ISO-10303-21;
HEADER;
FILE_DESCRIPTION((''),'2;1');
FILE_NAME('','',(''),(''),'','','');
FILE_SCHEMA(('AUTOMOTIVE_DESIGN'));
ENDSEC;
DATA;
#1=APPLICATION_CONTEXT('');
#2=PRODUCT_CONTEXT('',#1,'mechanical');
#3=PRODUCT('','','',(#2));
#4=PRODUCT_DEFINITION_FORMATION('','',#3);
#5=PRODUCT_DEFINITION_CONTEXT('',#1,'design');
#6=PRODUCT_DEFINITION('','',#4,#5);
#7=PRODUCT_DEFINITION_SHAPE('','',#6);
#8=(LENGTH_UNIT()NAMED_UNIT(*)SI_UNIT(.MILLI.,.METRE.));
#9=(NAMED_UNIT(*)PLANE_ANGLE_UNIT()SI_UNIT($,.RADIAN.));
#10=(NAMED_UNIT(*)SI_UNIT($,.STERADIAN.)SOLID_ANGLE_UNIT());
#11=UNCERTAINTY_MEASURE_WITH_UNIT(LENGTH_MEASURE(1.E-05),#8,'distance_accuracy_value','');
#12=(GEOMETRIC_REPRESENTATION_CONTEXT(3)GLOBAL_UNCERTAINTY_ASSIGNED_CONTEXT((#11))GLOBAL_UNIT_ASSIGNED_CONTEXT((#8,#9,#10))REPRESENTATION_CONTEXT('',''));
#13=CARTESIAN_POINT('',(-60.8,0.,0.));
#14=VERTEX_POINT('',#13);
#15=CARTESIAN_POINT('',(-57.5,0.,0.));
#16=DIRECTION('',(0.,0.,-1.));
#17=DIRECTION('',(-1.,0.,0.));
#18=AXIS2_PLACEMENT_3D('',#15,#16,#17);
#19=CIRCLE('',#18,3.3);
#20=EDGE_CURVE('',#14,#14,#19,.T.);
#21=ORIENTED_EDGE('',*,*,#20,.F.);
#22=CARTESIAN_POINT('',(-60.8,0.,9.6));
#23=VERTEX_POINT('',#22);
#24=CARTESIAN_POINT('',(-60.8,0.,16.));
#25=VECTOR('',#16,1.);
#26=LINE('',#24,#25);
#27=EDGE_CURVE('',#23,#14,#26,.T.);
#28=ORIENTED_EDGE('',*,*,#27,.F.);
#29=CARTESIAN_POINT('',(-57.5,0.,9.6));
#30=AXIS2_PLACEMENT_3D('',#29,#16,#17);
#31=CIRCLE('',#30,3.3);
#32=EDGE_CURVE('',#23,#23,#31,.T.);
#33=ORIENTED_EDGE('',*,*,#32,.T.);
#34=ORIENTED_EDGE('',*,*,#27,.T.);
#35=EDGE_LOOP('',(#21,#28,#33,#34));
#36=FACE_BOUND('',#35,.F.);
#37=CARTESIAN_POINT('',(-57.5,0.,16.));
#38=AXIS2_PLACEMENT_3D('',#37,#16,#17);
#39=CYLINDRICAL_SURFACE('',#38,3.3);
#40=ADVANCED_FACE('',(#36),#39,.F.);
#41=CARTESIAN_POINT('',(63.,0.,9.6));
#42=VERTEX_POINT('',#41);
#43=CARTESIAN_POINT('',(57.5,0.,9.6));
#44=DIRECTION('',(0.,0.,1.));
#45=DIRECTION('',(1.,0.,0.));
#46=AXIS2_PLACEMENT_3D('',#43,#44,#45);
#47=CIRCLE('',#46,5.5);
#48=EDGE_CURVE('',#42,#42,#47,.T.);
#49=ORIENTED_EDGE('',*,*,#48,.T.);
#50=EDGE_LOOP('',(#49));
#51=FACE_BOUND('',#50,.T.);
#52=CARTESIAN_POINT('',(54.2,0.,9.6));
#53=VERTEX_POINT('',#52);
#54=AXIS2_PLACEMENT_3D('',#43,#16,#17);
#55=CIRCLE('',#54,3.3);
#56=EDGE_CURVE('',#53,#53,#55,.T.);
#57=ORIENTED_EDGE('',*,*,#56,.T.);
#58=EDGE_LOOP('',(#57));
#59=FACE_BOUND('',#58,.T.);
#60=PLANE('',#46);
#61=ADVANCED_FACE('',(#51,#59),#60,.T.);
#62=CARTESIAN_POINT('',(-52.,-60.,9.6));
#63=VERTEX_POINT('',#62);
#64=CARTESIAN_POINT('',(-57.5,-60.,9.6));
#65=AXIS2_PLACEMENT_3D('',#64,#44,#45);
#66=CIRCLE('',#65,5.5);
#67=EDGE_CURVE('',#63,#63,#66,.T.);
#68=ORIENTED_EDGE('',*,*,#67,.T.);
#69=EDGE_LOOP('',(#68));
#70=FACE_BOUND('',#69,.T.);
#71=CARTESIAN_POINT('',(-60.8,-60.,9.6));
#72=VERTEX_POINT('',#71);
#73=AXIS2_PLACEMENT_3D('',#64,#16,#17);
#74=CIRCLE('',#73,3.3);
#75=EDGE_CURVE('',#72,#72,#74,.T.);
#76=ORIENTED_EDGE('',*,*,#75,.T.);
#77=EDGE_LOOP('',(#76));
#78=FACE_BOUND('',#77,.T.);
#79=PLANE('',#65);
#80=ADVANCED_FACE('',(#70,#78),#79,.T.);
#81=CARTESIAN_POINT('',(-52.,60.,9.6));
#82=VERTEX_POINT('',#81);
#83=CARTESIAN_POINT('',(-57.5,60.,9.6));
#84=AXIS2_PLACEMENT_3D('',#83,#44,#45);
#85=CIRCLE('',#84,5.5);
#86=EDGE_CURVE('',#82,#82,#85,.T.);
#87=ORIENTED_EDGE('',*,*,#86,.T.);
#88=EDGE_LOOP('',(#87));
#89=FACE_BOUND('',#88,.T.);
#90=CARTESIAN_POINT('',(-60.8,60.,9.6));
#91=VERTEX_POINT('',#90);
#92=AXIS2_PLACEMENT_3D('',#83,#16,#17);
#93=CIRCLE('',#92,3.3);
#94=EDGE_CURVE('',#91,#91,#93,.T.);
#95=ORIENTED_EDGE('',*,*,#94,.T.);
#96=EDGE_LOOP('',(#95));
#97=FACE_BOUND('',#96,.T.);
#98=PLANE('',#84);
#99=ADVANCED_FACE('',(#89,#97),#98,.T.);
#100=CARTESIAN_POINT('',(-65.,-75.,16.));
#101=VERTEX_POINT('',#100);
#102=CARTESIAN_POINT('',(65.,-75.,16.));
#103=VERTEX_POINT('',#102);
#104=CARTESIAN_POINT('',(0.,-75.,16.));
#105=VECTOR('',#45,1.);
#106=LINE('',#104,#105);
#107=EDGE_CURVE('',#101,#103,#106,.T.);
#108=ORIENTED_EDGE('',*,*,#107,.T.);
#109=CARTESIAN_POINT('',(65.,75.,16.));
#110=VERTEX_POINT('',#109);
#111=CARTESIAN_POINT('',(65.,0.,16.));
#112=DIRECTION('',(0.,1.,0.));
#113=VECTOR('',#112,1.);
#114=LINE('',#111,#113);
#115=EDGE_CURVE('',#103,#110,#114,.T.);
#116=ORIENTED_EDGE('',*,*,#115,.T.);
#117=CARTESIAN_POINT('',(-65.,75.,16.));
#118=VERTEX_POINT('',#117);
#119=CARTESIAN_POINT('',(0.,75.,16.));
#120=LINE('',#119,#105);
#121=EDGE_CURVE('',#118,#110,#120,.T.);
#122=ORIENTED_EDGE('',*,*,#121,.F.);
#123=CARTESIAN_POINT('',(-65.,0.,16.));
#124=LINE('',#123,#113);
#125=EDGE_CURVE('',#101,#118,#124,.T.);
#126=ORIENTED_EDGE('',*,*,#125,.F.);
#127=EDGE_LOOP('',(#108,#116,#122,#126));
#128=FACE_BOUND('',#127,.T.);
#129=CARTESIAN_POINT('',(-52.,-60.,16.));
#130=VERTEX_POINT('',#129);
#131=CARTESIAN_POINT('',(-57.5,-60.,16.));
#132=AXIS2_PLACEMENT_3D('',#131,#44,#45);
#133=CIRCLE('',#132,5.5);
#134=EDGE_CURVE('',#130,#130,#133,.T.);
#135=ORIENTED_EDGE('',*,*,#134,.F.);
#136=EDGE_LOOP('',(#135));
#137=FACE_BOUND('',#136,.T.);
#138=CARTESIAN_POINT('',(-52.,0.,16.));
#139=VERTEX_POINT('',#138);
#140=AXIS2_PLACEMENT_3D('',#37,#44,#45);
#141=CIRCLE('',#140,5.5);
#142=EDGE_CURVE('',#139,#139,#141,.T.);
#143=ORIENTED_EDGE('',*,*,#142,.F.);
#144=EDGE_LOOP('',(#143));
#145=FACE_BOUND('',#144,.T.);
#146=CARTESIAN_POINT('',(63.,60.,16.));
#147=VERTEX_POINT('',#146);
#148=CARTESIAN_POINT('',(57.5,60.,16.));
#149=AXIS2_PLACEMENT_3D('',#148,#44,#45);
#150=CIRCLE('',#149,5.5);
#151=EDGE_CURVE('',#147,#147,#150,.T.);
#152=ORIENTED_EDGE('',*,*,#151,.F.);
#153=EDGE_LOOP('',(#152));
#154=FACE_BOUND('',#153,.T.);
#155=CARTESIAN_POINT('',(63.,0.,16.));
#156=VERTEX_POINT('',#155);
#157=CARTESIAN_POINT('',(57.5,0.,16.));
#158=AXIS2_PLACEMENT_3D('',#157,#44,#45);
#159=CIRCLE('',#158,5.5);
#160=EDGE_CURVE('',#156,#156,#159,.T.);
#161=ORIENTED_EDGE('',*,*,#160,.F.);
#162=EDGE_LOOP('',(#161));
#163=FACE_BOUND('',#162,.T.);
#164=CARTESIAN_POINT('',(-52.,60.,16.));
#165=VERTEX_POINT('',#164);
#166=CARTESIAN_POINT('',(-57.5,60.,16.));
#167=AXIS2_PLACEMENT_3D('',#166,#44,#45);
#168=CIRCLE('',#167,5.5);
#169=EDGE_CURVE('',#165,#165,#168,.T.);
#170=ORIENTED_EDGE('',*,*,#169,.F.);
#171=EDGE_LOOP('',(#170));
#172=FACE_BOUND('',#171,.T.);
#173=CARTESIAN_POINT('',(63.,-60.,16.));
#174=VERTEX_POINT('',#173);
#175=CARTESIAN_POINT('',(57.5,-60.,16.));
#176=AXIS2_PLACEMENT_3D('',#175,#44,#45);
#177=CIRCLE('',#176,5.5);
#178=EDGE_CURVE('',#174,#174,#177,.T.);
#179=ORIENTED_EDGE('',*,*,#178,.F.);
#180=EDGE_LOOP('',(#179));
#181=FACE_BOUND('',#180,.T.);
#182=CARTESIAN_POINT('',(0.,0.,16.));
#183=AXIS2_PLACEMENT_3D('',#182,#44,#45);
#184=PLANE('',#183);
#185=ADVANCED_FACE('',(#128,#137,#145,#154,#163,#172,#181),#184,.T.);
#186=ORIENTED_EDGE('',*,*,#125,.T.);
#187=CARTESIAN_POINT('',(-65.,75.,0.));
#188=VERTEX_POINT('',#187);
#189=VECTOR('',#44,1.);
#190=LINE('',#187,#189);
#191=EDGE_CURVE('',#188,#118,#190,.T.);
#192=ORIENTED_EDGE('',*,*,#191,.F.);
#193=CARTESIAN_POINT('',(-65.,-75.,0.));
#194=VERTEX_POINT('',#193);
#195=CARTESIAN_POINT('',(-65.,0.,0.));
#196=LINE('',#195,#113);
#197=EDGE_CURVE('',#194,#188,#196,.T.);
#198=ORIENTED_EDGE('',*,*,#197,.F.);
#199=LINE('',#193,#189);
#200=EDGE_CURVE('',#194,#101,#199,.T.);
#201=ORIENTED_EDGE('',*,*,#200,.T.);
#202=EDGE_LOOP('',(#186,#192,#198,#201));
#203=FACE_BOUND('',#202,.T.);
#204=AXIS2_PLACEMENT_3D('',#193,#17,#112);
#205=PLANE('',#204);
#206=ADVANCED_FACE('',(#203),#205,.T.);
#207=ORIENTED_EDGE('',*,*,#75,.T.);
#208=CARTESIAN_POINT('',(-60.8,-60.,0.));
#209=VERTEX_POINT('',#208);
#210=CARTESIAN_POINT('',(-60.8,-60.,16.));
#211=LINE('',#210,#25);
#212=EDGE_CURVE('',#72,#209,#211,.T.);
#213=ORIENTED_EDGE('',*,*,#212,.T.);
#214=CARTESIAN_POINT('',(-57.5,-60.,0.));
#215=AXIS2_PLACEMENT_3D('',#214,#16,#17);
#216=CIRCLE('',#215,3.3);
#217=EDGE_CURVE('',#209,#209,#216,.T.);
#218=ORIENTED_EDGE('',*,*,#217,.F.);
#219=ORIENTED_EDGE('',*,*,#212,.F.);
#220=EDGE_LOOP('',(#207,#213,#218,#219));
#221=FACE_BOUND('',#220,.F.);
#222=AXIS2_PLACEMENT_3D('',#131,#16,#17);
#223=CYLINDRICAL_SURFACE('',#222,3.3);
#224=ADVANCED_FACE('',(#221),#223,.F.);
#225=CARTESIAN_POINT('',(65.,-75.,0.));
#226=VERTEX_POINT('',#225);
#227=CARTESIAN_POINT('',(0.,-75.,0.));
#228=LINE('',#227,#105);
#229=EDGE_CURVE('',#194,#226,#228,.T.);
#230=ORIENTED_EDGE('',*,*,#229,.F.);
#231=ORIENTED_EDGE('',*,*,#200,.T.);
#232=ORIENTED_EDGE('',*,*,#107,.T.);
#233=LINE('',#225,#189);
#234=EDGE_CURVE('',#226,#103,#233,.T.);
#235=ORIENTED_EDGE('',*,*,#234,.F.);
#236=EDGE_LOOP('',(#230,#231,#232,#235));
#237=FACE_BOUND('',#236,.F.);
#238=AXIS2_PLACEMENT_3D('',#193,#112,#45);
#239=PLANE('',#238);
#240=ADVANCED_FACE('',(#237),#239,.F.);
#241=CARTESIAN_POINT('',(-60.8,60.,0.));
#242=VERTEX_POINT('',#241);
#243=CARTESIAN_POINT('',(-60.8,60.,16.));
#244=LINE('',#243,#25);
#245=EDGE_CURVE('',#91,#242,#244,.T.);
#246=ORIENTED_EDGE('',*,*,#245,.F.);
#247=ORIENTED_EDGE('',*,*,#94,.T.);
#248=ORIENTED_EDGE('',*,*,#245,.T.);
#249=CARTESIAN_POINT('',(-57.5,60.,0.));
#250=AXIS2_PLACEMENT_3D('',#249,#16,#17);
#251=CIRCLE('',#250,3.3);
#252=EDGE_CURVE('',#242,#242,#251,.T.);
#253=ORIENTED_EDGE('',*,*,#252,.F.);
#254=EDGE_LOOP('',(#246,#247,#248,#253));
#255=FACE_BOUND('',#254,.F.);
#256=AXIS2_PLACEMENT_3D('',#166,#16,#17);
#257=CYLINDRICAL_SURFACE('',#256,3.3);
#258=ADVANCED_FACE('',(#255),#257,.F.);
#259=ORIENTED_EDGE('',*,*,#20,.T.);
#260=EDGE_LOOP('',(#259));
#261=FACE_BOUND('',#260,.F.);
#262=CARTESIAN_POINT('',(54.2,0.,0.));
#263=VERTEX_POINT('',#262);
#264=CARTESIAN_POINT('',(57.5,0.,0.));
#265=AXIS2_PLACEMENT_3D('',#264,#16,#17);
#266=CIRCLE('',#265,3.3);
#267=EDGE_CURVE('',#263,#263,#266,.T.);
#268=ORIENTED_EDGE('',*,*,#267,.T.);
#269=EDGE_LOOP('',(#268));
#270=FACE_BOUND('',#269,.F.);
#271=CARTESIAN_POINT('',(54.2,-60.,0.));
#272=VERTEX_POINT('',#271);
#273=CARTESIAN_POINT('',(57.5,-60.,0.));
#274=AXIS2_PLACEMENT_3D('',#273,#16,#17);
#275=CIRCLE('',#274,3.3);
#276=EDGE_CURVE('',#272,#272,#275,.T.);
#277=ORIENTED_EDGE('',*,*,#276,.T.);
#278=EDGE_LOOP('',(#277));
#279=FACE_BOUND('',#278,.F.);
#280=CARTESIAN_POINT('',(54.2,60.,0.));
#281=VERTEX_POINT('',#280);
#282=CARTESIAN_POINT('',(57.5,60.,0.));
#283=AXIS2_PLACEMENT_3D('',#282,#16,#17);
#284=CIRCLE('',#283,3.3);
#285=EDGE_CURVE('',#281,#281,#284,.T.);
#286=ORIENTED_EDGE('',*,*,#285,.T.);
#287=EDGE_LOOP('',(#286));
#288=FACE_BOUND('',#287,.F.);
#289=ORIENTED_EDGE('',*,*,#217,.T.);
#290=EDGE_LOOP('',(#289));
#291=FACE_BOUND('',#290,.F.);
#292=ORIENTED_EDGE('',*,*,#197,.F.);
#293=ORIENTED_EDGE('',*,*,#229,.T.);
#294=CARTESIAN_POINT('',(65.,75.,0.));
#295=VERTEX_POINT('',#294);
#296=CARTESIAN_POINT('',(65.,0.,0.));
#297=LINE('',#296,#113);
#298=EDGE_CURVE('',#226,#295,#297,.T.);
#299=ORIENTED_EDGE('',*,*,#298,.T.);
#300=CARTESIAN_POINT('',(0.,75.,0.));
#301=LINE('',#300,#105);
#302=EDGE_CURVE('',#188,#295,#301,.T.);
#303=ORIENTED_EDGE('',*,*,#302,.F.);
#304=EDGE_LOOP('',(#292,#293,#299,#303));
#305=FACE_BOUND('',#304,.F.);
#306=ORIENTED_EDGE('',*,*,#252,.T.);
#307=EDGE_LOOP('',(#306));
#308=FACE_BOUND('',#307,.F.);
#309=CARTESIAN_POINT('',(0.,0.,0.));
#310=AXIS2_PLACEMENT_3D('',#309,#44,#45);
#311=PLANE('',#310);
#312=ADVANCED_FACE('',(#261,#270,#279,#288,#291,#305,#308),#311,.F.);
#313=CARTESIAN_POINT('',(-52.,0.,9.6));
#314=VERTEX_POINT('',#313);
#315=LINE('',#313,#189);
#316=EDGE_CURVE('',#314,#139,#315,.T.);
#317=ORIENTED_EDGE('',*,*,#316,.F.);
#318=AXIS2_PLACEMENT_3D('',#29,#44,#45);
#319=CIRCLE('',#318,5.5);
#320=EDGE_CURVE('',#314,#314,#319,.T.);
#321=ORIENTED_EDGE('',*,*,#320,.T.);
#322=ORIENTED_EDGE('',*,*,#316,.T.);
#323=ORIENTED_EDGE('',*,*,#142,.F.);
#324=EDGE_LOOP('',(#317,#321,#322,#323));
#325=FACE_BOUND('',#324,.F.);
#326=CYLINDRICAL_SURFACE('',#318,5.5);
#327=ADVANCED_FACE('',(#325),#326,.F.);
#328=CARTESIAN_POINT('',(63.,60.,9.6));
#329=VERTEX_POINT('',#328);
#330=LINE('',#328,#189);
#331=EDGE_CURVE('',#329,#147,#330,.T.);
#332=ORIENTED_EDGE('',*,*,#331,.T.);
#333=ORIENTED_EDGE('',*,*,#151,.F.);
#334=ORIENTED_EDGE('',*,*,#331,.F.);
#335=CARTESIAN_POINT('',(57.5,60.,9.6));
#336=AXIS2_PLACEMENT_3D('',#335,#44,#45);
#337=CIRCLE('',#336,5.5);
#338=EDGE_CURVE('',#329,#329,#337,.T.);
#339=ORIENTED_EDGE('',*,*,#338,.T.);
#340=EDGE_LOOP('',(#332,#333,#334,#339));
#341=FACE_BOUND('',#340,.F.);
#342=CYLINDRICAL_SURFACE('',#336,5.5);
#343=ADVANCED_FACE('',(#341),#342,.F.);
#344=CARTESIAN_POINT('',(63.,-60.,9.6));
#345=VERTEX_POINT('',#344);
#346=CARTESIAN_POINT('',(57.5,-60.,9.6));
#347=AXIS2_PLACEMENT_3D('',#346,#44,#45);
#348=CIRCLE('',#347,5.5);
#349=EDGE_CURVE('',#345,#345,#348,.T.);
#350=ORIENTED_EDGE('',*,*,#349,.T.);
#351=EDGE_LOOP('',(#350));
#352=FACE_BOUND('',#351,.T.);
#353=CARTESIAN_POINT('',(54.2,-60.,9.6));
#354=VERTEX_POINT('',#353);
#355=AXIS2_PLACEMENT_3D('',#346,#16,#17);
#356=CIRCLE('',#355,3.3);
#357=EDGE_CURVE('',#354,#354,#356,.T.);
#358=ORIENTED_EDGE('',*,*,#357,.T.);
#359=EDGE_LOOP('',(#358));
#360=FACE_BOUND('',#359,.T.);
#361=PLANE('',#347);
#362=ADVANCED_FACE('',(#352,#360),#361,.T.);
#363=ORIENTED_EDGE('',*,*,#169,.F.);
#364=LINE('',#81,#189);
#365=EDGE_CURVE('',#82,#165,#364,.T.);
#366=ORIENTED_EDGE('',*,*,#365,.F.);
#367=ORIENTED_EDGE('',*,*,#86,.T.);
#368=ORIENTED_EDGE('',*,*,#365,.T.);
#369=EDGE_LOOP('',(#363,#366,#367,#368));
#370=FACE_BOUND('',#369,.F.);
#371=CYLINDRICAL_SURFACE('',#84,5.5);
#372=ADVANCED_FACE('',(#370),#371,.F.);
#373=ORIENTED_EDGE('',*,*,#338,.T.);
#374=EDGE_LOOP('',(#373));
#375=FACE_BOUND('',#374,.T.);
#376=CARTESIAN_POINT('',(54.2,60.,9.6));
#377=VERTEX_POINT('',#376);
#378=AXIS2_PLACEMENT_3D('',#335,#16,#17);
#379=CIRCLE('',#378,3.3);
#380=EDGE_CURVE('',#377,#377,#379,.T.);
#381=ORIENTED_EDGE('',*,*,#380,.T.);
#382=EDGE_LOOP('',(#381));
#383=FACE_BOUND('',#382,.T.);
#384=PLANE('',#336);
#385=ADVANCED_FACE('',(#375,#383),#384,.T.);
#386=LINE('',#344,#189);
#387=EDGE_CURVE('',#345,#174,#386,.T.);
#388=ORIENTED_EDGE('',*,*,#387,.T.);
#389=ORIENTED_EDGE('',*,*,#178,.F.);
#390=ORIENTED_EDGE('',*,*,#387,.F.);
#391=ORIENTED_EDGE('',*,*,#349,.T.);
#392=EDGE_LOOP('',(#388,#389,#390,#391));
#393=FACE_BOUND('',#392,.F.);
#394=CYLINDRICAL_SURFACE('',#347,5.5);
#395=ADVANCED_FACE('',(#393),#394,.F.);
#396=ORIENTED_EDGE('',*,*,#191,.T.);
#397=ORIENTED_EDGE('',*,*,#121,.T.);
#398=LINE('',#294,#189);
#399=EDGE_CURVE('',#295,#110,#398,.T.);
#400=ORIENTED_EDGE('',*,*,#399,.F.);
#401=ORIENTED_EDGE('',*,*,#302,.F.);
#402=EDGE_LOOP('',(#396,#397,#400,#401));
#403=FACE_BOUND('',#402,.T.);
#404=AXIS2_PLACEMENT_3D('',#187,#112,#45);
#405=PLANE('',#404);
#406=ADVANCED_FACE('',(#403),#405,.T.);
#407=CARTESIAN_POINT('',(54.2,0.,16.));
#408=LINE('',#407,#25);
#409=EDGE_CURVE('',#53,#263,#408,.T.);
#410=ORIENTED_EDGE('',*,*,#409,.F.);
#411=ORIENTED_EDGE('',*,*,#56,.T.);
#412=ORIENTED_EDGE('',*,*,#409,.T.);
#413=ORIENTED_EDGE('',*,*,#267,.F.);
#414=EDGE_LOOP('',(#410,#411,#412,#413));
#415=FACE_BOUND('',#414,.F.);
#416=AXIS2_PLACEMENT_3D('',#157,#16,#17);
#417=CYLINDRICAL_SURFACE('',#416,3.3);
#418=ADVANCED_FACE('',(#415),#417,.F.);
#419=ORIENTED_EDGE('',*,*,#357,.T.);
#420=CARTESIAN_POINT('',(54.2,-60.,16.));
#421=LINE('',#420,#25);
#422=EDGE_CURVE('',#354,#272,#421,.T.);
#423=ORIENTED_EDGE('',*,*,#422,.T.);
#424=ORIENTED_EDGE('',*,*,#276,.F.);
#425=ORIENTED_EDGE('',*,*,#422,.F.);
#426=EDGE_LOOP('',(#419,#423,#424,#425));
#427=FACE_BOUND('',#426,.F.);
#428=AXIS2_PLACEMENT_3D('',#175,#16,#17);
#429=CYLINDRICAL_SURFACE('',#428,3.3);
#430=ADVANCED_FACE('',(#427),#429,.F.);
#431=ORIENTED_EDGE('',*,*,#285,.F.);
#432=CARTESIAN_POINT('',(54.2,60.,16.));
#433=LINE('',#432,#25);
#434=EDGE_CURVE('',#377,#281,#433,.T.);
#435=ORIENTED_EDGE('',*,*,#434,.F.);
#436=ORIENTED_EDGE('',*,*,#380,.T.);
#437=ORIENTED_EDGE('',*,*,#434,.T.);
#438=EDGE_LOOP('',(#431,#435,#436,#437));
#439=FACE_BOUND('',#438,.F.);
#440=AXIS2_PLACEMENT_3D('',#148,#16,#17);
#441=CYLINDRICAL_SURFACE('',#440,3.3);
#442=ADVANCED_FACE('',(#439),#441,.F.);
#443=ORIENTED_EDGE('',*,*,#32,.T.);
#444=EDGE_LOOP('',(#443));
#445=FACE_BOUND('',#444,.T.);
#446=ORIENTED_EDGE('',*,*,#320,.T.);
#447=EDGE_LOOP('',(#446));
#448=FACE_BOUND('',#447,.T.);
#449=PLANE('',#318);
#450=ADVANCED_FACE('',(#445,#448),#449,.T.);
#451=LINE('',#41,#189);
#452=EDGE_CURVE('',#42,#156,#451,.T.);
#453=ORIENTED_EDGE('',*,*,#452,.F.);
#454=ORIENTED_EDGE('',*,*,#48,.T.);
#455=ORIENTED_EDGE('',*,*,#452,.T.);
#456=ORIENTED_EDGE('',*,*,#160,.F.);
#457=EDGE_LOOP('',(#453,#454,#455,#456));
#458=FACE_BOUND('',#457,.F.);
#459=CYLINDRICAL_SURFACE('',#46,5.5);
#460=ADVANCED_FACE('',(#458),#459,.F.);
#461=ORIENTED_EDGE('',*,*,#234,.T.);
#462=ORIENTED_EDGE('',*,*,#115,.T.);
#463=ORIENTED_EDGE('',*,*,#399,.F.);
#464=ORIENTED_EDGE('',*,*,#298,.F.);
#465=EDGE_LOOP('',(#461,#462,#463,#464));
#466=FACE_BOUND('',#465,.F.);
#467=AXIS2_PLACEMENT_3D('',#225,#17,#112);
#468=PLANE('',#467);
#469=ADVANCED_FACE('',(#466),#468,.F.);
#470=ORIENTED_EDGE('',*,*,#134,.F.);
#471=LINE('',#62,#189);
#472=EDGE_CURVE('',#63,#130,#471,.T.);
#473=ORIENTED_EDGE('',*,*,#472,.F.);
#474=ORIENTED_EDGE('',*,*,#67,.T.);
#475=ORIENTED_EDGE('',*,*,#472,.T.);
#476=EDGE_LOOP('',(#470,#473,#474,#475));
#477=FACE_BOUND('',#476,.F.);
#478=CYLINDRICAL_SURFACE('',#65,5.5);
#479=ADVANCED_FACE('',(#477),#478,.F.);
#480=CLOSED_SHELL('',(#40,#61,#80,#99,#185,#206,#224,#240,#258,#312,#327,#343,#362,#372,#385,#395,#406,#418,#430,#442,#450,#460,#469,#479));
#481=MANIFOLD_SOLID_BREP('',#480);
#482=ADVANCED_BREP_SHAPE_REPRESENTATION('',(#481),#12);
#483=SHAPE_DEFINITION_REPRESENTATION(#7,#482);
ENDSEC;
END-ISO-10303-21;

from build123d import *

# Parameters (mm, degrees)
SKETCH1_W                                           = 130
SKETCH1_H                                           = 150
EXTRUDE1_DEPTH                                      = 16
CBORE_FOR_M6_HEX_SOCKET_HEAD_CAP_SCREW1_D           = 6.6
CBORE_FOR_M6_HEX_SOCKET_HEAD_CAP_SCREW1_CBORE_D     = 11
CBORE_FOR_M6_HEX_SOCKET_HEAD_CAP_SCREW1_CBORE_DEPTH = 6.4


with BuildPart() as part:
    # Sketch1 → Extrude1 (new body)
    with BuildSketch(Plane.XY):
        Rectangle(SKETCH1_W, SKETCH1_H)
    extrude(amount=EXTRUDE1_DEPTH)

    # CBORE for M6 Hex Socket Head Cap Screw1 (through all)
    with Locations(Plane.XY.offset(16)):
        with Locations((-57.5, 60), (-57.5, 0), (-57.5, -60), (57.5, -60), (57.5, 0), (57.5, 60)):
            CounterBoreHole(CBORE_FOR_M6_HEX_SOCKET_HEAD_CAP_SCREW1_D / 2, CBORE_FOR_M6_HEX_SOCKET_HEAD_CAP_SCREW1_CBORE_D / 2, CBORE_FOR_M6_HEX_SOCKET_HEAD_CAP_SCREW1_CBORE_DEPTH)


solid = part.part
